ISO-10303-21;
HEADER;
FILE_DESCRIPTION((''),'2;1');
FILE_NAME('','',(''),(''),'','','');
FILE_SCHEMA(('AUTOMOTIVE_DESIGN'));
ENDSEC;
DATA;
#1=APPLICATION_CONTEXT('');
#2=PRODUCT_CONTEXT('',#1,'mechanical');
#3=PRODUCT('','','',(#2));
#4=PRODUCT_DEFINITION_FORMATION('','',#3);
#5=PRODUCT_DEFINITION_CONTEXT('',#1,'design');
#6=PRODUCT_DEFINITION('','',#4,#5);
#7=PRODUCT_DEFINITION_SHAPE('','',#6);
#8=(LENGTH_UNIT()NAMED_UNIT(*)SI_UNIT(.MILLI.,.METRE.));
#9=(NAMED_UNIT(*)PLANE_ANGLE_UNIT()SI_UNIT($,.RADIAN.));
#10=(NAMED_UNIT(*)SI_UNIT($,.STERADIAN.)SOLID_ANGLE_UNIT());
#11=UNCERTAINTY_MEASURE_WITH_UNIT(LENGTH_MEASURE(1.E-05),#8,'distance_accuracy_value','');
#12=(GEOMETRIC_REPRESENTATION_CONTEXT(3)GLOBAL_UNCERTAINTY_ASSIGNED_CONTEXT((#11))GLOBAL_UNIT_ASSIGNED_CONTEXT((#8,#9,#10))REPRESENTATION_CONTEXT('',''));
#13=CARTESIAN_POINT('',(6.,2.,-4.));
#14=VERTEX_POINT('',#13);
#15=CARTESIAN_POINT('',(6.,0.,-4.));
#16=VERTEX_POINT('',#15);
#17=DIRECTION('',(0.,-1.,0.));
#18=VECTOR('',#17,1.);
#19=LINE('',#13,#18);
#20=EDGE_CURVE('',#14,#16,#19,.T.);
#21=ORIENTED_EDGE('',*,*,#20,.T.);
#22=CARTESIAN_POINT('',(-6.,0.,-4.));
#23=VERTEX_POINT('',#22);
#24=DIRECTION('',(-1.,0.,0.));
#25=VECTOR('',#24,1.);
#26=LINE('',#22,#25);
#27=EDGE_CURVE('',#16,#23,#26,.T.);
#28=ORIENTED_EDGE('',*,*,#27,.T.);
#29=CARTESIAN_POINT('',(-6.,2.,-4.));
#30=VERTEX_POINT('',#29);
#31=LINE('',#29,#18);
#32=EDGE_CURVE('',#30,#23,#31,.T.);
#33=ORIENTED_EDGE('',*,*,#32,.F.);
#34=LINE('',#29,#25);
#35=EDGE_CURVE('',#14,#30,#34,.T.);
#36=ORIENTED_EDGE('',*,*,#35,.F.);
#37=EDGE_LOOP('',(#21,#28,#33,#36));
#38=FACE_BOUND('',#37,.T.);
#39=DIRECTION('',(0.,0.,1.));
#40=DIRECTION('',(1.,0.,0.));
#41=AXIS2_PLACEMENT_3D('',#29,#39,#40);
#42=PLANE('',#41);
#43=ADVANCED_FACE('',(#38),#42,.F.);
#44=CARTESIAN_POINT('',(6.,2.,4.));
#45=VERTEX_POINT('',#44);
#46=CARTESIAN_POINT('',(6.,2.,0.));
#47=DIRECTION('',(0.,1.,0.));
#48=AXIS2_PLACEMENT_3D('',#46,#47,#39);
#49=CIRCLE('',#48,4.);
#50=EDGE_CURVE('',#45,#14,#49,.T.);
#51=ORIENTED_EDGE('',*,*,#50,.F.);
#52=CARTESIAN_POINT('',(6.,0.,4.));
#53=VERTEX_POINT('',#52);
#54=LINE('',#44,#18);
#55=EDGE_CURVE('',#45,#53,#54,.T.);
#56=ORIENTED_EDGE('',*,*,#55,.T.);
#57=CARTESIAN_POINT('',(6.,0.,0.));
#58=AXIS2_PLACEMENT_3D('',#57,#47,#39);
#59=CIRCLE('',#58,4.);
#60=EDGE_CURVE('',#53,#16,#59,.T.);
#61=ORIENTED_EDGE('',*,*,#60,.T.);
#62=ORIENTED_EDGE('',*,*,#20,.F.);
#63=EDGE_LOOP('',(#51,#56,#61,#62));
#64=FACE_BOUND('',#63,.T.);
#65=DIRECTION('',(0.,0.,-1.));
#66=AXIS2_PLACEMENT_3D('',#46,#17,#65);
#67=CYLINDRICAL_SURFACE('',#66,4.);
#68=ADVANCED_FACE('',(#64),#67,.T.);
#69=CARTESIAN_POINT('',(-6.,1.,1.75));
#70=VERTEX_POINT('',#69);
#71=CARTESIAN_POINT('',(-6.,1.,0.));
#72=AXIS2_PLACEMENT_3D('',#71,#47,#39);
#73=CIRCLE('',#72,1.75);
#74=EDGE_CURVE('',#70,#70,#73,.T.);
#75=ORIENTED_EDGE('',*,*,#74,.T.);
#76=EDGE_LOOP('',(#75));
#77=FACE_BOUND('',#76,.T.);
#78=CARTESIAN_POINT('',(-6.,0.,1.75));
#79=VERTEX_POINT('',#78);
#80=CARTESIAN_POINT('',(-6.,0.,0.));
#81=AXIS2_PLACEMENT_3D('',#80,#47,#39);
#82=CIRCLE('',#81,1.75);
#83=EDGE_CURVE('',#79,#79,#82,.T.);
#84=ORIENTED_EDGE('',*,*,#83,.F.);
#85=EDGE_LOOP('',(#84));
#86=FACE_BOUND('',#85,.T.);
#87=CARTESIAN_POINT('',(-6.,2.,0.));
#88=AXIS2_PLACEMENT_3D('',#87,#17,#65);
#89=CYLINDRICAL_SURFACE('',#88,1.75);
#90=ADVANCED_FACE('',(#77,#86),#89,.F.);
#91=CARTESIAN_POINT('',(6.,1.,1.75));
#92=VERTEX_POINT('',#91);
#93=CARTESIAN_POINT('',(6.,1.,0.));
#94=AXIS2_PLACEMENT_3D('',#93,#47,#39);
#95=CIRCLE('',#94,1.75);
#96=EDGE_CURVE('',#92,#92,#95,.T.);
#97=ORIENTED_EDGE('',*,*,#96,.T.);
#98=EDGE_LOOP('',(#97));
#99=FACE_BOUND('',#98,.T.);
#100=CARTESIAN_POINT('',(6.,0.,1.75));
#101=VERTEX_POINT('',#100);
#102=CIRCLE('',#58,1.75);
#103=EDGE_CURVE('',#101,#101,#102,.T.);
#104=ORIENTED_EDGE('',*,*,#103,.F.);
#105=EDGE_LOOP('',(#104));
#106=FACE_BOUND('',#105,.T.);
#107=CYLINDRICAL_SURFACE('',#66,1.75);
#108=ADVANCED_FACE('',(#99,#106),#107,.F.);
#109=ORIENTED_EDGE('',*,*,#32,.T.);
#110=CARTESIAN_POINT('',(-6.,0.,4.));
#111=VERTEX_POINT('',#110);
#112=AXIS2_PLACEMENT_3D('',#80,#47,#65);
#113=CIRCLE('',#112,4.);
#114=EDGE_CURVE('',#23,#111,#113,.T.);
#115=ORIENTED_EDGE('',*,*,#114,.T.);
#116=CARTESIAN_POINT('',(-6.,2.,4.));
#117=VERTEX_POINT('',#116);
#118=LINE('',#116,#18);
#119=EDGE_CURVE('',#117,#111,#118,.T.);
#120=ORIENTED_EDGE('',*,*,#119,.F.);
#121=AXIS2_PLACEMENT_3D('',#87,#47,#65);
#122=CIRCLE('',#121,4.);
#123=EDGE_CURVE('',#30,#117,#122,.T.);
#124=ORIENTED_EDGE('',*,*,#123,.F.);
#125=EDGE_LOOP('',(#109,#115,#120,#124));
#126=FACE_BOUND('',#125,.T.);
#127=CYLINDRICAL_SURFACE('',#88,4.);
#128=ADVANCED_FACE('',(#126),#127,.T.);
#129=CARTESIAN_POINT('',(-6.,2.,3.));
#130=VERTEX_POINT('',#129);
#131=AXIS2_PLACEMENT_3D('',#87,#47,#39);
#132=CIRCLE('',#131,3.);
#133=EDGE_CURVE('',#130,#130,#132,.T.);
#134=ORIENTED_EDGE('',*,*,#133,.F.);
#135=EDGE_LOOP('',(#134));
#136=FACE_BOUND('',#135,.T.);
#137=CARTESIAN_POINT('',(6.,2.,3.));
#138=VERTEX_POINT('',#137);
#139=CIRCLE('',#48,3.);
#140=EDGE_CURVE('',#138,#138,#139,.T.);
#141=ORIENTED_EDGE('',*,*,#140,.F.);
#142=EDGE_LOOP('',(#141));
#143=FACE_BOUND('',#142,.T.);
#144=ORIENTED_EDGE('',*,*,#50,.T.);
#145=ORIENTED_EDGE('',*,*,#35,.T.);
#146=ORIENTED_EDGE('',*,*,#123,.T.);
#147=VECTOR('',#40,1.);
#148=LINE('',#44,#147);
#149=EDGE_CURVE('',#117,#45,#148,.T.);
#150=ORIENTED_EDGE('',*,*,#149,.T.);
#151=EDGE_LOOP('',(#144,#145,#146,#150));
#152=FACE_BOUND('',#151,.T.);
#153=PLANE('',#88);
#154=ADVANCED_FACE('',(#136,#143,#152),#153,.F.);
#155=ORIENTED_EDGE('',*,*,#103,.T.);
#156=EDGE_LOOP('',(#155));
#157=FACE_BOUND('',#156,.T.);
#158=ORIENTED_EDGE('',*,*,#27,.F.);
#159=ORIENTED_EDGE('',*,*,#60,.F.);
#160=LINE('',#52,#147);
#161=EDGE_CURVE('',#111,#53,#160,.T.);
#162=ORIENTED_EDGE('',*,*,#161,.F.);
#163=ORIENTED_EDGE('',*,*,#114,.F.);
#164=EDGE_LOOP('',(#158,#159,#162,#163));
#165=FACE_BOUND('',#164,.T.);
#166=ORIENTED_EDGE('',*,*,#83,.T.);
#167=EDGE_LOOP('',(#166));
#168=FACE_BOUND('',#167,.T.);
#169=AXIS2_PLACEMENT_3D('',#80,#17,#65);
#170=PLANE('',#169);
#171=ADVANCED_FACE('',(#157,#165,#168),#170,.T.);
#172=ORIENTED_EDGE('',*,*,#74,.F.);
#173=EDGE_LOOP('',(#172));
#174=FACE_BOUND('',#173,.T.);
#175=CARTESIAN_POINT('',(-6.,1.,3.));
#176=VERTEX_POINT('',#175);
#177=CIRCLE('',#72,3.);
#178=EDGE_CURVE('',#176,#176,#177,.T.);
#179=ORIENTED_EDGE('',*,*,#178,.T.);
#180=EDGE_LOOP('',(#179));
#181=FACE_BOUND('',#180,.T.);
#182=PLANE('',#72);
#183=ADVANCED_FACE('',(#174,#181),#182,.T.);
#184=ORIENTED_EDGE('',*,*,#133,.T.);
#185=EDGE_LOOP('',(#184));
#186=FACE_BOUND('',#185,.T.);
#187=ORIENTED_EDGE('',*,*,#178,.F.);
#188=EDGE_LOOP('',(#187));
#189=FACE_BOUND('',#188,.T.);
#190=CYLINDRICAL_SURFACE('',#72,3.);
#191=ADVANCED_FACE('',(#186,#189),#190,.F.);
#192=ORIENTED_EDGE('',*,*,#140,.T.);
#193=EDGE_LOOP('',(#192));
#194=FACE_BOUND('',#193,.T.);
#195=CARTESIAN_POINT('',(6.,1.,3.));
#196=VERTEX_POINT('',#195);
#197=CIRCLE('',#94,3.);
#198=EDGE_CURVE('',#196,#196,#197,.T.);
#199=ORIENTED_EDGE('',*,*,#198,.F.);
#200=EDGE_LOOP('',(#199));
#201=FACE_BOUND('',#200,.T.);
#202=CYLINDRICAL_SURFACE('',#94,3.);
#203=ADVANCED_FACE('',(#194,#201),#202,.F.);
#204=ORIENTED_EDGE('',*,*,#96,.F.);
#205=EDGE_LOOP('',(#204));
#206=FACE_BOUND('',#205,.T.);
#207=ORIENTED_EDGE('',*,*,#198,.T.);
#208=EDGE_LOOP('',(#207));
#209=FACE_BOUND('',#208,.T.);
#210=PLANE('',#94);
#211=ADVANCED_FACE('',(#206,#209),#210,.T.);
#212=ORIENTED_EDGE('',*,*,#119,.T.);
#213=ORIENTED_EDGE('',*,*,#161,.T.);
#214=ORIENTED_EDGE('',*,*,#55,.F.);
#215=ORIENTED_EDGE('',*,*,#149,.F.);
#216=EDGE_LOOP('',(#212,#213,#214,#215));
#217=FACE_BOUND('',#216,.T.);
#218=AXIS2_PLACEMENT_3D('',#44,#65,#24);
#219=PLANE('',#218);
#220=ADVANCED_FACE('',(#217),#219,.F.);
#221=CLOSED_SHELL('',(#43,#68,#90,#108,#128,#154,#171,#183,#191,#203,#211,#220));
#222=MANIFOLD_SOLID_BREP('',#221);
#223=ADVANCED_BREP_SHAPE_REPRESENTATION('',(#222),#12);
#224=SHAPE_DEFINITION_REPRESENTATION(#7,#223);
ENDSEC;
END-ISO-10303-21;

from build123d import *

# Parameters (mm, degrees)
SKETCH1_R           = 1.75
BOSS_EXTRUDE1_DEPTH = 2
SKETCH3_R           = 3
CUT_EXTRUDE1_DEPTH  = 1


with BuildPart() as part:
    # Sketch1 → Boss-Extrude1 (new body)
    with BuildSketch(Plane(origin=(0, 0, 0), x_dir=(1, 0, 0), z_dir=(0, 1, 0))):
        with BuildLine():
            Line((-6, 4), (6, 4))
            ThreePointArc((6, 4), (10, 0), (6, -4))
            Line((6, -4), (-6, -4))
            ThreePointArc((-6, -4), (-10, 0), (-6, 4))
        make_face()
        with Locations(Location((-6, 0, 0), (0, 0, 270))):
            Circle(SKETCH1_R, mode=Mode.SUBTRACT)
        with Locations(Location((6, 0, 0), (0, 0, 270))):
            Circle(SKETCH1_R, mode=Mode.SUBTRACT)
    extrude(amount=BOSS_EXTRUDE1_DEPTH)

    # Sketch3 → Cut-Extrude1 (cut)
    with BuildSketch(Plane(origin=(0, 2, 0), x_dir=(1, 0, 0), z_dir=(0, 1, 0))):
        with Locations(Location((-6, 0, 0), (0, 0, 270))):
            Circle(SKETCH3_R)
        with Locations(Location((6, 0, 0), (0, 0, 270))):
            Circle(SKETCH3_R)
    extrude(amount=-CUT_EXTRUDE1_DEPTH, mode=Mode.SUBTRACT)


solid = part.part
